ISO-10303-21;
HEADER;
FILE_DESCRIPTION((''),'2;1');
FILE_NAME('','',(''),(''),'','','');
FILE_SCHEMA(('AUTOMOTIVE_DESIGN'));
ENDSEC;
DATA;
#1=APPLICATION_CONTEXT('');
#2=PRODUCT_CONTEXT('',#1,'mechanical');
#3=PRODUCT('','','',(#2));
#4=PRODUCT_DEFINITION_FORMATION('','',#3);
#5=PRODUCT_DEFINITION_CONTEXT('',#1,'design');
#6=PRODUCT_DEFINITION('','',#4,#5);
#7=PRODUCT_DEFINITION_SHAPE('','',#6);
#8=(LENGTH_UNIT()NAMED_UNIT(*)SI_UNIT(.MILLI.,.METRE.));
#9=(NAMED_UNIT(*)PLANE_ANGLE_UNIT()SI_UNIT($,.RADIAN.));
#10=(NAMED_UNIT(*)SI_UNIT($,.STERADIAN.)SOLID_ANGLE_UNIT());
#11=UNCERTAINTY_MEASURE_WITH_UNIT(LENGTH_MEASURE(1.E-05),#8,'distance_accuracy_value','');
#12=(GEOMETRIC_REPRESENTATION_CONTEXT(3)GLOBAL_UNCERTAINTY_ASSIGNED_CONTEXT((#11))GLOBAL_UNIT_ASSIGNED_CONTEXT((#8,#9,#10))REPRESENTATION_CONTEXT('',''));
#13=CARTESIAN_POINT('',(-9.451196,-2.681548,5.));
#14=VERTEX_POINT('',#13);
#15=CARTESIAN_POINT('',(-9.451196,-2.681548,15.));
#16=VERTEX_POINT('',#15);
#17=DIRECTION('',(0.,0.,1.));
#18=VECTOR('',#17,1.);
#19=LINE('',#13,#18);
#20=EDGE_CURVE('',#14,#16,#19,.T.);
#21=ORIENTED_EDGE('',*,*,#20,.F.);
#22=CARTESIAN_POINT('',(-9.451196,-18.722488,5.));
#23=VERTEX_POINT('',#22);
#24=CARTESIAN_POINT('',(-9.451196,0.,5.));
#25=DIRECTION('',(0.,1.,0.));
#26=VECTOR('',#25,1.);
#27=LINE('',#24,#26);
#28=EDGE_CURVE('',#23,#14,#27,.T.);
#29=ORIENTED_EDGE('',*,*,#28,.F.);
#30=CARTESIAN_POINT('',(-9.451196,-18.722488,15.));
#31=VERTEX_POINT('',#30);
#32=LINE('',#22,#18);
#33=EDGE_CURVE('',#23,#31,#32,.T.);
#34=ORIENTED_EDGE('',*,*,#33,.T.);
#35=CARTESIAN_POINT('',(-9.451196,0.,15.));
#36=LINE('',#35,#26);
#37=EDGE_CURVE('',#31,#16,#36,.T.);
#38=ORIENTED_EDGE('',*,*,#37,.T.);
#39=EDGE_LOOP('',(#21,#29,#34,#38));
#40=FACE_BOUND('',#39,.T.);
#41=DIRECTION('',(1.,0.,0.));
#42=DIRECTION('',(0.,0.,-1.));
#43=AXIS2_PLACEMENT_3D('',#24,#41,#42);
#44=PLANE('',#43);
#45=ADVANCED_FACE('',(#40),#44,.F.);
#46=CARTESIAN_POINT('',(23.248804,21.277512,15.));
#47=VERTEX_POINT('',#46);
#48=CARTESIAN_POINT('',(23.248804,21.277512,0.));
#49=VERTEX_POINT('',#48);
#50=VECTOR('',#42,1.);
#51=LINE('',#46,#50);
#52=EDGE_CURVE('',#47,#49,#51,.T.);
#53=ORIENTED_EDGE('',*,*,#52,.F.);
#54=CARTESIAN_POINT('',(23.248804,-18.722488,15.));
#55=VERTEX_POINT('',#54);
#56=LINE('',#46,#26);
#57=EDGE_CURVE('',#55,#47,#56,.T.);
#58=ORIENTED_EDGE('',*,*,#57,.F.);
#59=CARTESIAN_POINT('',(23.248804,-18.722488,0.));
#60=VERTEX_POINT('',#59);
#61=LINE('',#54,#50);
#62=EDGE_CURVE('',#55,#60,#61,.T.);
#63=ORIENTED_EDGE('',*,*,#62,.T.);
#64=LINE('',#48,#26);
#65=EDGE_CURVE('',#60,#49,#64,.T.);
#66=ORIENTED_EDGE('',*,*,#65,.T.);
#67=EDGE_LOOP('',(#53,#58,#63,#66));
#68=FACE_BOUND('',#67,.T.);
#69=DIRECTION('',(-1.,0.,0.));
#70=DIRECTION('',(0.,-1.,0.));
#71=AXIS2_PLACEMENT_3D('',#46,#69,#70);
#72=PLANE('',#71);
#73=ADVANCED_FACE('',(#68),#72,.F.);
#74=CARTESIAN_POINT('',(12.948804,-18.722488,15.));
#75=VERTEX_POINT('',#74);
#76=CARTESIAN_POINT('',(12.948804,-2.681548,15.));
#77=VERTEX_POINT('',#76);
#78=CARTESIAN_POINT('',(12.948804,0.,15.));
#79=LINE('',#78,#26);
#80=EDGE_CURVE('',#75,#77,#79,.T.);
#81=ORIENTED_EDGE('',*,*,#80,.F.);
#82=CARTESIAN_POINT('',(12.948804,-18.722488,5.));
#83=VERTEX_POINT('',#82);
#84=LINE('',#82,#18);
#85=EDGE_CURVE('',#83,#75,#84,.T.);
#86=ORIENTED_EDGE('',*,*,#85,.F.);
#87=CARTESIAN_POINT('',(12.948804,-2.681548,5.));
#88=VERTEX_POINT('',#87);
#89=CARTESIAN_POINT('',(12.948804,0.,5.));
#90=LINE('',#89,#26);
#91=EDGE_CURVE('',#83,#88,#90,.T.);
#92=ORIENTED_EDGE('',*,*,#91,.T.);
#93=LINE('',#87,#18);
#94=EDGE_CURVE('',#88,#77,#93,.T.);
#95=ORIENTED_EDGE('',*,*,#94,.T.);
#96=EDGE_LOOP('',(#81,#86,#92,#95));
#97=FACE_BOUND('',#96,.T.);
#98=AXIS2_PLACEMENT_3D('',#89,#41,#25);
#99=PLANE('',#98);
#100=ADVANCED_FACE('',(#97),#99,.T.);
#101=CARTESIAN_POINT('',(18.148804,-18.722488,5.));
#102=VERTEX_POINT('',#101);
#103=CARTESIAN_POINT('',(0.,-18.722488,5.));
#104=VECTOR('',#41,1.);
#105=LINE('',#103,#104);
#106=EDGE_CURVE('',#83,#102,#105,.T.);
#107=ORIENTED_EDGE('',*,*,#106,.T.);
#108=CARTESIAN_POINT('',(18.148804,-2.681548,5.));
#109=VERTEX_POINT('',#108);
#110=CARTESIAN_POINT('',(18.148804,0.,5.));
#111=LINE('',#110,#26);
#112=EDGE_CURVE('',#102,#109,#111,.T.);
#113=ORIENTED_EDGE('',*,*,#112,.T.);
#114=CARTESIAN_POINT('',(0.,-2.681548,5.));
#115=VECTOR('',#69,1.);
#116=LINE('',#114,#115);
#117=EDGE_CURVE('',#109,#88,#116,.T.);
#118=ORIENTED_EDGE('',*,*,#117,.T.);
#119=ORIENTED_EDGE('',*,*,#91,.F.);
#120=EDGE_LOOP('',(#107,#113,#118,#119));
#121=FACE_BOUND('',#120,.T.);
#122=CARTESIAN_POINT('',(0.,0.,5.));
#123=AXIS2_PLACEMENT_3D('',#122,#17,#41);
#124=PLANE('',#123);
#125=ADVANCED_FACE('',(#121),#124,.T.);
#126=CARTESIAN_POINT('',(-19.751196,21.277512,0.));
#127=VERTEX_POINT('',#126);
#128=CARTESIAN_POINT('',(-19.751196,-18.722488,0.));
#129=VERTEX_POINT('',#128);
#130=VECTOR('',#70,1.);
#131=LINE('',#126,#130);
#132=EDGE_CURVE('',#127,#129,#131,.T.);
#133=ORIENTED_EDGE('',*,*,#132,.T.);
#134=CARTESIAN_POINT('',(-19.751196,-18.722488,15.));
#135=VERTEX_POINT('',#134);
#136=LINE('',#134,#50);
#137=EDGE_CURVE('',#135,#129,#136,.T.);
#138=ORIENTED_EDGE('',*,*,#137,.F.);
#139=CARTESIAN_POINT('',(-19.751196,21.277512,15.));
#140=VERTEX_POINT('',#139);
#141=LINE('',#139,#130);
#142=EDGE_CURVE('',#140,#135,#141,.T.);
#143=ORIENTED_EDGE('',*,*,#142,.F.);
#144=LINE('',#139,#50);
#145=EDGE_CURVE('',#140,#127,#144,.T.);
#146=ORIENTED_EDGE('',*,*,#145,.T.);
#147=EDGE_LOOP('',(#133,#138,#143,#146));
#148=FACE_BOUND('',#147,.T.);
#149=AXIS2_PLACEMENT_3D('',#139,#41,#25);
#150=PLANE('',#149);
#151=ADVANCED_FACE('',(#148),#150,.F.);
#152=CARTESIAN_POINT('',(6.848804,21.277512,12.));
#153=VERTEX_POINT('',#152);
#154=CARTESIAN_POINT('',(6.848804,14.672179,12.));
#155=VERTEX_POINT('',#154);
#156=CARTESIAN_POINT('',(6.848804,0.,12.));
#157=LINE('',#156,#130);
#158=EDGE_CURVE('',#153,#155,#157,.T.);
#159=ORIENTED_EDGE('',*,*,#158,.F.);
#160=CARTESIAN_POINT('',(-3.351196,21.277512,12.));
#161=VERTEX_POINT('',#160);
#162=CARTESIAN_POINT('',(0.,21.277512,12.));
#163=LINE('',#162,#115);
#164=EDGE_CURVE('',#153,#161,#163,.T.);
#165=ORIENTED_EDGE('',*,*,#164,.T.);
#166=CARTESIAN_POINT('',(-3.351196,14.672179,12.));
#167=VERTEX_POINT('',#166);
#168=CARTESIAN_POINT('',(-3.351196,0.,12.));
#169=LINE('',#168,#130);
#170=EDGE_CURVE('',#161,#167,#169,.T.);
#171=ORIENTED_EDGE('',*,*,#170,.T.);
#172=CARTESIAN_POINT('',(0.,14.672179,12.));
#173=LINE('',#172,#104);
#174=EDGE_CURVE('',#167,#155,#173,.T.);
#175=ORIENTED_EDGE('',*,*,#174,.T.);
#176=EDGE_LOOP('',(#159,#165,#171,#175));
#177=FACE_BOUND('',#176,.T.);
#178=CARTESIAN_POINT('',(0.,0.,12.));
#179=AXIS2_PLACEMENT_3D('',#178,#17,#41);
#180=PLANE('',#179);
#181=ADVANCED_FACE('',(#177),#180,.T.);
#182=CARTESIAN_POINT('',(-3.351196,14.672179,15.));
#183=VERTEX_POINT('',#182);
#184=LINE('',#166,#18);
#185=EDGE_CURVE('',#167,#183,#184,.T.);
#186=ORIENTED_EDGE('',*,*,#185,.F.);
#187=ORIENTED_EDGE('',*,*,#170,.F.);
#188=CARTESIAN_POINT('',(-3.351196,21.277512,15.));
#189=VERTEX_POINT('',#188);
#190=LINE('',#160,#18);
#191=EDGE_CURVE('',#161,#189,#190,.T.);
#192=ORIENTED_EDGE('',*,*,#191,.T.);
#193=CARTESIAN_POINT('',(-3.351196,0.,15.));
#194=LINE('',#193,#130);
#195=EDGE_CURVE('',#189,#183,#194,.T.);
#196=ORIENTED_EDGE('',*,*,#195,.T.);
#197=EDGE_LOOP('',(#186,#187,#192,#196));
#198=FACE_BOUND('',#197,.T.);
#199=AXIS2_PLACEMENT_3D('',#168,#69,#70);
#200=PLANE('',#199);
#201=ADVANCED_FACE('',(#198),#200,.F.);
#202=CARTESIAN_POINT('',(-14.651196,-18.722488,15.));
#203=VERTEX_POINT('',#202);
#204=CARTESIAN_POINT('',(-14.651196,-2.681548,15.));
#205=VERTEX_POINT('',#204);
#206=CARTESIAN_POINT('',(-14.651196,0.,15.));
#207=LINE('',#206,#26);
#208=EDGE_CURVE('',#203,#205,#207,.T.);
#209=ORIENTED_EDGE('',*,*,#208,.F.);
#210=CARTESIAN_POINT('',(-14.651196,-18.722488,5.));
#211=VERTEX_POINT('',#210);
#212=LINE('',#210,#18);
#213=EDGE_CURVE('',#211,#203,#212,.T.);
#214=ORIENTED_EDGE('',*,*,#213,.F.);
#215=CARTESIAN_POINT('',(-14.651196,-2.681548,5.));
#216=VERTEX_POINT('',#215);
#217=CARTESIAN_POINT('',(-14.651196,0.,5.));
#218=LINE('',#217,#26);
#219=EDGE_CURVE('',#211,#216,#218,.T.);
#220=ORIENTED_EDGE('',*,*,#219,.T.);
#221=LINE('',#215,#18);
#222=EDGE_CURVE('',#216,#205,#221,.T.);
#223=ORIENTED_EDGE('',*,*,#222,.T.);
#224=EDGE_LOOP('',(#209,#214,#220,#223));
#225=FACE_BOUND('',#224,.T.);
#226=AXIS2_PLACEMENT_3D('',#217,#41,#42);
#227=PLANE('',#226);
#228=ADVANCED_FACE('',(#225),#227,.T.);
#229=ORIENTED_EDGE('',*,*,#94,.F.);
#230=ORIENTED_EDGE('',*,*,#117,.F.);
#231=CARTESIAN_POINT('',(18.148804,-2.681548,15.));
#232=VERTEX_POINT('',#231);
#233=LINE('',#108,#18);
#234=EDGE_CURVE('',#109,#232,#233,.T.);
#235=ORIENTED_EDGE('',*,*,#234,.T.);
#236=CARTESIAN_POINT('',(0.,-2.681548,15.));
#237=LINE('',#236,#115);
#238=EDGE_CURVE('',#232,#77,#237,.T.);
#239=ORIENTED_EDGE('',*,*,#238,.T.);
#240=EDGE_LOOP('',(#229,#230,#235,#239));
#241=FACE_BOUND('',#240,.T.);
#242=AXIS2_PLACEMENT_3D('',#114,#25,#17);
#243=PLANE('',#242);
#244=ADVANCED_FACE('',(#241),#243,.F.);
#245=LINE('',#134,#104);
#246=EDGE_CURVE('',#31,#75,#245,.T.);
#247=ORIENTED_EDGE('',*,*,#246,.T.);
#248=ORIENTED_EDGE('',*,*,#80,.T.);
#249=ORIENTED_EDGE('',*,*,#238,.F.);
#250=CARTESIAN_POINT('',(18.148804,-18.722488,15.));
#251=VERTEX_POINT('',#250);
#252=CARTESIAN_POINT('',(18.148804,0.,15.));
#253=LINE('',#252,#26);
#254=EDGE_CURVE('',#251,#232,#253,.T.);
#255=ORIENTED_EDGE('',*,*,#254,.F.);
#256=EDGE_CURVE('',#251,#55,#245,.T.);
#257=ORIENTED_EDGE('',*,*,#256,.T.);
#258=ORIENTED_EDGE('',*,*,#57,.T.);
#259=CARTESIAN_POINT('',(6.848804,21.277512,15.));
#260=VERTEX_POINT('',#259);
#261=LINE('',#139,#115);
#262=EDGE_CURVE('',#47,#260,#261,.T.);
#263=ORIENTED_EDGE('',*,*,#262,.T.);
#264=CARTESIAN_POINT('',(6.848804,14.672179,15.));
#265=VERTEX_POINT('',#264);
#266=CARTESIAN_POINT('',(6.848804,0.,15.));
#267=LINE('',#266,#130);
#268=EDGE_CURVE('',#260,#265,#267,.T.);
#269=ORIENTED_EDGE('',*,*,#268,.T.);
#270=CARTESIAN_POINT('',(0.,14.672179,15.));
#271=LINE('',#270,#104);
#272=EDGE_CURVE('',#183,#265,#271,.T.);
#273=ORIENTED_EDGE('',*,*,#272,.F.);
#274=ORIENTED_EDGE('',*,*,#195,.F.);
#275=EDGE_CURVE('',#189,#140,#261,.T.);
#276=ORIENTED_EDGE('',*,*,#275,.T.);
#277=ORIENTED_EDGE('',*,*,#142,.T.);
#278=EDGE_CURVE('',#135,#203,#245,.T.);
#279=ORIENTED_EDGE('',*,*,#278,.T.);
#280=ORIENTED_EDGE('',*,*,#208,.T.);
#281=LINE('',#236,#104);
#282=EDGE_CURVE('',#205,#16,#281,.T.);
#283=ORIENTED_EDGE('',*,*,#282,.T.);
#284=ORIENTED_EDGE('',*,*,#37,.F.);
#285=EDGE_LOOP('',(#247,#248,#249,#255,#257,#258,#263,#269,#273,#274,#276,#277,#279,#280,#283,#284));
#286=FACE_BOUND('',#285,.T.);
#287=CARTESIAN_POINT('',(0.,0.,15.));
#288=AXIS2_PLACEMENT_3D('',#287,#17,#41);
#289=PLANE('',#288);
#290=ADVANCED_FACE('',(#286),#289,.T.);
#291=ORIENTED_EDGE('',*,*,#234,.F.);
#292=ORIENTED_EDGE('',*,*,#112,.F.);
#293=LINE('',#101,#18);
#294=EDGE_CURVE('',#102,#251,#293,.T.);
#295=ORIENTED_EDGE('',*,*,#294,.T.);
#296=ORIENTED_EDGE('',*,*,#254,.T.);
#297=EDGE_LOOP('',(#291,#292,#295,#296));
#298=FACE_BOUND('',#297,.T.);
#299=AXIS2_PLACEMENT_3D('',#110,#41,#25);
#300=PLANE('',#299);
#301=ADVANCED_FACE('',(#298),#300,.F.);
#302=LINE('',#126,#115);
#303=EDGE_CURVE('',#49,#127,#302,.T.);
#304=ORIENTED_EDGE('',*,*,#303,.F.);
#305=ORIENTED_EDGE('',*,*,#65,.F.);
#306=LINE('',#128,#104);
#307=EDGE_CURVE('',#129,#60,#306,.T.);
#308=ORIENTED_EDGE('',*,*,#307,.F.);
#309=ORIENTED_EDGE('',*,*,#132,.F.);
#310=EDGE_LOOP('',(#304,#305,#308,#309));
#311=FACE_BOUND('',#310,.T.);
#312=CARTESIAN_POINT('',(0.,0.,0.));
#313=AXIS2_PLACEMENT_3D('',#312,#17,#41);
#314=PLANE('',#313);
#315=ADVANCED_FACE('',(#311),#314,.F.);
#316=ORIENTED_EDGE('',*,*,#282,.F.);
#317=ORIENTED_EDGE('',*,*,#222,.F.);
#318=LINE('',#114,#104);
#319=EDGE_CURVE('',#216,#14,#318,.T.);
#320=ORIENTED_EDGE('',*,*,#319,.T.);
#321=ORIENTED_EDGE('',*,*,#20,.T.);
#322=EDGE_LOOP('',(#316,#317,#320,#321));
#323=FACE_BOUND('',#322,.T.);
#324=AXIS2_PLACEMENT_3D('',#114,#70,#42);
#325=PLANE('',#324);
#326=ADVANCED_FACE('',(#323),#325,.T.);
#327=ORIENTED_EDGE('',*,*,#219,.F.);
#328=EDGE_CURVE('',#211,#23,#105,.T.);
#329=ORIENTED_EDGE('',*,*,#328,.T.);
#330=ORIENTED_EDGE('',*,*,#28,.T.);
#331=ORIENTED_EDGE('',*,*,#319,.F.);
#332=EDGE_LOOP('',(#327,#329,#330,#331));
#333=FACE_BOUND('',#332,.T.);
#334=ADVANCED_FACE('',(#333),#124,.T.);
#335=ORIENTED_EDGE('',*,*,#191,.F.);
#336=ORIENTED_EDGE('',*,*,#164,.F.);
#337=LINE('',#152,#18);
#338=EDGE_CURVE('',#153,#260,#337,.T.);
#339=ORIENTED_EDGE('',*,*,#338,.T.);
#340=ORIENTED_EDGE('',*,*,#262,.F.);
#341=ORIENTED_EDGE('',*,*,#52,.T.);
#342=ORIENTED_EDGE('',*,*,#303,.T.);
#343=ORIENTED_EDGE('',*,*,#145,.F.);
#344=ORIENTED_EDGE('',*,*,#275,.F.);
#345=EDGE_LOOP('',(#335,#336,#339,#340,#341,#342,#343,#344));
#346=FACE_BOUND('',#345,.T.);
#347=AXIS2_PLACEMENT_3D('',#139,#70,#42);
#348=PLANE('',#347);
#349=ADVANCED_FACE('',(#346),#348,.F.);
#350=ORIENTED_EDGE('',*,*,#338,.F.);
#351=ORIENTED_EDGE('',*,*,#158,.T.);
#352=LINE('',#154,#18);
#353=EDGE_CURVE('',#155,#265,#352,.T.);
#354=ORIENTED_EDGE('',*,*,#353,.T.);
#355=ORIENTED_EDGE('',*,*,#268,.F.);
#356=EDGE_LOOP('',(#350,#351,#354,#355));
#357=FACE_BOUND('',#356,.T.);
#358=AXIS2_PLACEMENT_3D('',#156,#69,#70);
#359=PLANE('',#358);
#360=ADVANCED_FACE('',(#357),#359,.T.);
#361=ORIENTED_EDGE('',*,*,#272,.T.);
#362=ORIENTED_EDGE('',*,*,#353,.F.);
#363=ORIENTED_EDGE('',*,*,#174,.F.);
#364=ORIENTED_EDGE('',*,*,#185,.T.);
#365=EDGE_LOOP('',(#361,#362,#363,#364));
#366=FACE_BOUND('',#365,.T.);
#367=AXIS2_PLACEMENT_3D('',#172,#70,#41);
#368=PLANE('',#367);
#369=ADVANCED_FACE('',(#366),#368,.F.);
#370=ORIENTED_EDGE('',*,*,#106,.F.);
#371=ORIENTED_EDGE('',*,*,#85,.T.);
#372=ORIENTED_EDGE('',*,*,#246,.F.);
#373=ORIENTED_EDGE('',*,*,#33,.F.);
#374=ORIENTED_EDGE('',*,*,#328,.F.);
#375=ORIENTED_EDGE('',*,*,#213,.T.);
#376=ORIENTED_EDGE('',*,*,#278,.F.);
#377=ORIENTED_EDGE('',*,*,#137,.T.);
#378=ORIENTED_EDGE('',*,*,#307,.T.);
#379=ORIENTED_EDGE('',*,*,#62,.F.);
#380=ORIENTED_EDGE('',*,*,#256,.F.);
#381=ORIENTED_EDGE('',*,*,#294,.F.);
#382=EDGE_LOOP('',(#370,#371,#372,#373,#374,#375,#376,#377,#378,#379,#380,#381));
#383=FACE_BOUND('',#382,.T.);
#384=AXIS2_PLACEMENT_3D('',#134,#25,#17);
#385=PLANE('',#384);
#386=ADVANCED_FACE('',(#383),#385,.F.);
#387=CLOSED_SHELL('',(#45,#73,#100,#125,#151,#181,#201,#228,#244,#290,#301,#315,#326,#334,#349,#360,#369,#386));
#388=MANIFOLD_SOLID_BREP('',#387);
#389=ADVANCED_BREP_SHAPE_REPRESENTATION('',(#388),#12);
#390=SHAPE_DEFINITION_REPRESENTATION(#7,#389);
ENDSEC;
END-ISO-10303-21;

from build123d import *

# Parameters (mm, degrees)
SKETCH1_W           = 43
SKETCH1_H           = 40
BOSS_EXTRUDE1_DEPTH = 15
SKETCH3_W           = 10.2
SKETCH3_H           = 6.605333129
CUT_EXTRUDE1_DEPTH  = 3
SKETCH3_4_W         = 5.2
SKETCH3_4_H         = 16.040940276
CUT_EXTRUDE2_DEPTH  = 10


with BuildPart() as part:
    # Sketch1 → Boss-Extrude1 (new body)
    with BuildSketch(Plane.XY):
        with Locations((1.748803828, 1.277511962)):
            Rectangle(SKETCH1_W, SKETCH1_H)
    extrude(amount=BOSS_EXTRUDE1_DEPTH)

    # Sketch3 → Cut-Extrude1 (cut)
    with BuildSketch(Plane.XY.offset(15)):
        with Locations((1.748803828, 17.974845398)):
            Rectangle(SKETCH3_W, SKETCH3_H)
    extrude(amount=-CUT_EXTRUDE1_DEPTH, mode=Mode.SUBTRACT)

    # Sketch3<4> → Cut-Extrude2 (cut)
    with BuildSketch(Plane.XY.offset(15)):
        with Locations((-12.051196172, -10.7020179)):
            Rectangle(SKETCH3_4_W, SKETCH3_4_H)
        with Locations((15.548803828, -10.7020179)):
            Rectangle(SKETCH3_4_W, SKETCH3_4_H)
    extrude(amount=-CUT_EXTRUDE2_DEPTH, mode=Mode.SUBTRACT)


solid = part.part
